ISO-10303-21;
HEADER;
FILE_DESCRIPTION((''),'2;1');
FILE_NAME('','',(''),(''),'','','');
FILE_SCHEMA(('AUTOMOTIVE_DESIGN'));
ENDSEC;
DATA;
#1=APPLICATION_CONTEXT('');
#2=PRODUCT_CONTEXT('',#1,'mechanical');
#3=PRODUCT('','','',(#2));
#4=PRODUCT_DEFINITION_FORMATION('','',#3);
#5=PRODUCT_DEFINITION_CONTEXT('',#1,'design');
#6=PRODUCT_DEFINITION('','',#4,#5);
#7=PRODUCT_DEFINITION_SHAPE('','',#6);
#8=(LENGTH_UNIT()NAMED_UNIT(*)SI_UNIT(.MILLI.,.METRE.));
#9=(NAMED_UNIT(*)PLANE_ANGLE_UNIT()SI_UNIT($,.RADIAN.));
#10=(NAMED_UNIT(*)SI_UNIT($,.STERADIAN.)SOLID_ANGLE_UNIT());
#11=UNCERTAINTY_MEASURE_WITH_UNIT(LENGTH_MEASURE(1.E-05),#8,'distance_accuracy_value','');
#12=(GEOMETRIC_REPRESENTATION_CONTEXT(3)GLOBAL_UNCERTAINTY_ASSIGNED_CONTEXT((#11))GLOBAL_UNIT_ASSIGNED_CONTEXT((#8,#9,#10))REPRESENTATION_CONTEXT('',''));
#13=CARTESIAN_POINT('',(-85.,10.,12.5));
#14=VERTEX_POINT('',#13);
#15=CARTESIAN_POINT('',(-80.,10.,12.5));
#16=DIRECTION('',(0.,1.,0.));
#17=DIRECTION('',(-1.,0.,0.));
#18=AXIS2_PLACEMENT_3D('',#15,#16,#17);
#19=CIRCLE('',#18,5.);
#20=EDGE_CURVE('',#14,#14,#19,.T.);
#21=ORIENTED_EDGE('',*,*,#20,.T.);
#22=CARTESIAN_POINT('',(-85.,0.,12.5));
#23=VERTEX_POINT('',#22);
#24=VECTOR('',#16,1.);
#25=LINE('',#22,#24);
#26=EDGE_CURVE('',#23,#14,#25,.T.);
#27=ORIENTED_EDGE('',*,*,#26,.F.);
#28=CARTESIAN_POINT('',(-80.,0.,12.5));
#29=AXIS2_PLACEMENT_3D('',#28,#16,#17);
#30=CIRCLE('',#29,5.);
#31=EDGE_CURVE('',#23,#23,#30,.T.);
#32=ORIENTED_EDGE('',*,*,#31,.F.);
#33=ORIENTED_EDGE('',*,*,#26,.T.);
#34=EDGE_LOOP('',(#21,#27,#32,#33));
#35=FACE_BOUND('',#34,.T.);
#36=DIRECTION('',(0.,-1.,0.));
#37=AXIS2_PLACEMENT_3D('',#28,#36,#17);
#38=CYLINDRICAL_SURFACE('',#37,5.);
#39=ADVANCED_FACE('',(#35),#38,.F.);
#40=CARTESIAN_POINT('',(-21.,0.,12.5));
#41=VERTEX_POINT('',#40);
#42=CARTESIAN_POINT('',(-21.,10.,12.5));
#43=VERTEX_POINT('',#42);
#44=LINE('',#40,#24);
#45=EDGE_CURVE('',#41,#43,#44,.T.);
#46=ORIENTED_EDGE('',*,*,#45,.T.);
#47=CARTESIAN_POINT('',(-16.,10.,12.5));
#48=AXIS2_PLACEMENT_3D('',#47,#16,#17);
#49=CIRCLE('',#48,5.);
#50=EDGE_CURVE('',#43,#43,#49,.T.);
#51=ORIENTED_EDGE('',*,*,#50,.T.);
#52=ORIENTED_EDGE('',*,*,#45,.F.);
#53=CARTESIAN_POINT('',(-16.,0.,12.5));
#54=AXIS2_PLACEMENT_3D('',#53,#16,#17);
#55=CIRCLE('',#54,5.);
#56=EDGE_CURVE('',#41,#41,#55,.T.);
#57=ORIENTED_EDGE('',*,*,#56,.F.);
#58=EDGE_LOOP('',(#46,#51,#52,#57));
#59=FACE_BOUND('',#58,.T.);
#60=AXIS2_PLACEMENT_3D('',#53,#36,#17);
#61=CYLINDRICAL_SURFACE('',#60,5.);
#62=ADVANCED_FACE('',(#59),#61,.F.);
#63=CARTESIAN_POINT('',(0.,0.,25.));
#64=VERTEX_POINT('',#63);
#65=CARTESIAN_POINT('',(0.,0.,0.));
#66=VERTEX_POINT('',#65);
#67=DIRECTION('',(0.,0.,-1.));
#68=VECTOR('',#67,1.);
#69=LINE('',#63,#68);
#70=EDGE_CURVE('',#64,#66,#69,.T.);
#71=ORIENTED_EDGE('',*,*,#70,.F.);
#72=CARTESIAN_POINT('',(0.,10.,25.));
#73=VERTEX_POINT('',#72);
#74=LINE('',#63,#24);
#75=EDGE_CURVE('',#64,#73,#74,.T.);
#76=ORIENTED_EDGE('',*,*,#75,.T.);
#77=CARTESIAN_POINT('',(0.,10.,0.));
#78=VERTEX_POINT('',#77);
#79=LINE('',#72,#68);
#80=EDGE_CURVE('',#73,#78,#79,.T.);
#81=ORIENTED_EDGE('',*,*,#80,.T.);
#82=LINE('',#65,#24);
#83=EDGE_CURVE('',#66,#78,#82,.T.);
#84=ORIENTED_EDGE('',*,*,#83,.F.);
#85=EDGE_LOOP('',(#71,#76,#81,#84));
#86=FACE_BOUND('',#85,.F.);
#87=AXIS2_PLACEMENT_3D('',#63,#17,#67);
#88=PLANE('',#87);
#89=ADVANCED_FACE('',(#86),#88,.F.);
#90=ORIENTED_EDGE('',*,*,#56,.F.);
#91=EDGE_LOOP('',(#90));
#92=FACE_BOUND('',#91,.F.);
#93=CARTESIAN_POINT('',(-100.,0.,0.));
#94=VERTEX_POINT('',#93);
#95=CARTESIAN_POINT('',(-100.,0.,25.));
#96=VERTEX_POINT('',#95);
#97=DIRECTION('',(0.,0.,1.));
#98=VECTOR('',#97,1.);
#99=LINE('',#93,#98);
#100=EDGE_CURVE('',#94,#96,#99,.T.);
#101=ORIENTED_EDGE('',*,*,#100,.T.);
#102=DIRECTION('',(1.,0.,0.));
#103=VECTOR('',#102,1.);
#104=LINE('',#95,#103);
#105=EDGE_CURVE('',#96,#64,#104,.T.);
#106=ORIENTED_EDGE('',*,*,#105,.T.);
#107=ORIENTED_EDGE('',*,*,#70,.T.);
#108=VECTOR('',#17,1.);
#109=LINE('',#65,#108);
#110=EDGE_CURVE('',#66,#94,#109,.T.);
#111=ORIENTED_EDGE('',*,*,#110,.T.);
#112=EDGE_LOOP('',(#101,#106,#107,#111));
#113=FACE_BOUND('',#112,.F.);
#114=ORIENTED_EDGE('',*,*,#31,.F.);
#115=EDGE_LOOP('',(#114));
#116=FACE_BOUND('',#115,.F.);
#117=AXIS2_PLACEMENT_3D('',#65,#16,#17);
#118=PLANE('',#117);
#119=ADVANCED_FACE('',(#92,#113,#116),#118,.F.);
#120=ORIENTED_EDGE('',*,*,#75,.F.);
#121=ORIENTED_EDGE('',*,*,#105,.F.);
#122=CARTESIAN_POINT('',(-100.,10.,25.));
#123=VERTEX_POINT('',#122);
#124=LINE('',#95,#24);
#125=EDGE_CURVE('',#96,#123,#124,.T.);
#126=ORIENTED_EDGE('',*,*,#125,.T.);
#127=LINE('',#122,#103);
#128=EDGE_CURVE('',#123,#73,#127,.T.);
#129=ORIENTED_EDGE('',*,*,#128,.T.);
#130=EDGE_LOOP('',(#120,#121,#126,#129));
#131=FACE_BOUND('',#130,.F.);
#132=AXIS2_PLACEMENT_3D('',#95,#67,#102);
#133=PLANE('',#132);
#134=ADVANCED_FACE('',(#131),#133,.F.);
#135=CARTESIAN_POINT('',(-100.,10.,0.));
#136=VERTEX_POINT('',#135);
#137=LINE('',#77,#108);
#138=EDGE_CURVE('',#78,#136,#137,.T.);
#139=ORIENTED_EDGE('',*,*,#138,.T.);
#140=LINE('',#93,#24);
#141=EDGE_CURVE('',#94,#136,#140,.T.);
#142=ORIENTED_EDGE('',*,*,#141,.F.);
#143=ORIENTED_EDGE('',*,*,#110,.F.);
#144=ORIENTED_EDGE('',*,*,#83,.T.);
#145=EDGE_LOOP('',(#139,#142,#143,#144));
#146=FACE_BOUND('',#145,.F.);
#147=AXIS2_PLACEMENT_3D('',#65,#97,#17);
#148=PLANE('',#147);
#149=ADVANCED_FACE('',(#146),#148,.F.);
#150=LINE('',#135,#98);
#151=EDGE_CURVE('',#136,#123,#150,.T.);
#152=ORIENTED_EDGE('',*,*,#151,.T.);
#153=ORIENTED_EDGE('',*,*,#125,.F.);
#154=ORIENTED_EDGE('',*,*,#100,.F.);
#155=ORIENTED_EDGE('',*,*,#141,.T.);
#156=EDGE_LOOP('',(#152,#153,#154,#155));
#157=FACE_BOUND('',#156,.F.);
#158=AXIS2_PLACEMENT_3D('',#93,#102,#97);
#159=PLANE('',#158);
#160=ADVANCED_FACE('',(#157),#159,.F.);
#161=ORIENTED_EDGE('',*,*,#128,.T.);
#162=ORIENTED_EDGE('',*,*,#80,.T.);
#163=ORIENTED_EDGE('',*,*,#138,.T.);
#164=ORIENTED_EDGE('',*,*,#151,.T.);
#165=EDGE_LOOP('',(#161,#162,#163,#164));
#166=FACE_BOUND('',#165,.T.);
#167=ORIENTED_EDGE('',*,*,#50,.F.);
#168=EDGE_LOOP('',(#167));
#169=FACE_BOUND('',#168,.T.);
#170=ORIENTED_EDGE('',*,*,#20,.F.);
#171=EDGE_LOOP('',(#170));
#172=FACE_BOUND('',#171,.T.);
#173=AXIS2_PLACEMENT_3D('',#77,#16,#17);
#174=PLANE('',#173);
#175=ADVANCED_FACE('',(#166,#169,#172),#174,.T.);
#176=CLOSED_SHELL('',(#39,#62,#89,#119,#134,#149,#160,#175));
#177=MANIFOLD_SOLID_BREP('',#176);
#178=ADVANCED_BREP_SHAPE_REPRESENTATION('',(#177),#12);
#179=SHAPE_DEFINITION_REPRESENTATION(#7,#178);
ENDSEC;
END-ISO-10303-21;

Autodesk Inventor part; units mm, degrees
ref_plane "YZ Plane" through (0, 0, 0) normal (1, 0, 0) x (0, 1, 0)
ref_plane "XZ Plane" through (0, 0, 0) normal (0, 1, 0) x (-1, 0, 0)
ref_plane "XY Plane" through (0, 0, 0) normal (0, 0, 1) x (1, 0, 0)
sketch "Sketch1" plane through (0, 0, 0) normal (0, 1, 0) x (-1, 0, 0)
  line L0 (0, 0) -> (100, 0)
  line L1 (100, 0) -> (100, 25)
  line L2 (100, 25) -> (0, 25)
  line L3 (0, 25) -> (0, 0)
  circle A0 centre (16, 12.5) radius 5
  circle A1 centre (80, 12.5) radius 5
  dimension "d0" = 100
  dimension "d1" = 25
  dimension "d2" = 10
  dimension "d3" = 10
extrude "Extrusion1" add sketch "Sketch1" along normal blind 10
properties part number "crank" material "Wood Flooring"
